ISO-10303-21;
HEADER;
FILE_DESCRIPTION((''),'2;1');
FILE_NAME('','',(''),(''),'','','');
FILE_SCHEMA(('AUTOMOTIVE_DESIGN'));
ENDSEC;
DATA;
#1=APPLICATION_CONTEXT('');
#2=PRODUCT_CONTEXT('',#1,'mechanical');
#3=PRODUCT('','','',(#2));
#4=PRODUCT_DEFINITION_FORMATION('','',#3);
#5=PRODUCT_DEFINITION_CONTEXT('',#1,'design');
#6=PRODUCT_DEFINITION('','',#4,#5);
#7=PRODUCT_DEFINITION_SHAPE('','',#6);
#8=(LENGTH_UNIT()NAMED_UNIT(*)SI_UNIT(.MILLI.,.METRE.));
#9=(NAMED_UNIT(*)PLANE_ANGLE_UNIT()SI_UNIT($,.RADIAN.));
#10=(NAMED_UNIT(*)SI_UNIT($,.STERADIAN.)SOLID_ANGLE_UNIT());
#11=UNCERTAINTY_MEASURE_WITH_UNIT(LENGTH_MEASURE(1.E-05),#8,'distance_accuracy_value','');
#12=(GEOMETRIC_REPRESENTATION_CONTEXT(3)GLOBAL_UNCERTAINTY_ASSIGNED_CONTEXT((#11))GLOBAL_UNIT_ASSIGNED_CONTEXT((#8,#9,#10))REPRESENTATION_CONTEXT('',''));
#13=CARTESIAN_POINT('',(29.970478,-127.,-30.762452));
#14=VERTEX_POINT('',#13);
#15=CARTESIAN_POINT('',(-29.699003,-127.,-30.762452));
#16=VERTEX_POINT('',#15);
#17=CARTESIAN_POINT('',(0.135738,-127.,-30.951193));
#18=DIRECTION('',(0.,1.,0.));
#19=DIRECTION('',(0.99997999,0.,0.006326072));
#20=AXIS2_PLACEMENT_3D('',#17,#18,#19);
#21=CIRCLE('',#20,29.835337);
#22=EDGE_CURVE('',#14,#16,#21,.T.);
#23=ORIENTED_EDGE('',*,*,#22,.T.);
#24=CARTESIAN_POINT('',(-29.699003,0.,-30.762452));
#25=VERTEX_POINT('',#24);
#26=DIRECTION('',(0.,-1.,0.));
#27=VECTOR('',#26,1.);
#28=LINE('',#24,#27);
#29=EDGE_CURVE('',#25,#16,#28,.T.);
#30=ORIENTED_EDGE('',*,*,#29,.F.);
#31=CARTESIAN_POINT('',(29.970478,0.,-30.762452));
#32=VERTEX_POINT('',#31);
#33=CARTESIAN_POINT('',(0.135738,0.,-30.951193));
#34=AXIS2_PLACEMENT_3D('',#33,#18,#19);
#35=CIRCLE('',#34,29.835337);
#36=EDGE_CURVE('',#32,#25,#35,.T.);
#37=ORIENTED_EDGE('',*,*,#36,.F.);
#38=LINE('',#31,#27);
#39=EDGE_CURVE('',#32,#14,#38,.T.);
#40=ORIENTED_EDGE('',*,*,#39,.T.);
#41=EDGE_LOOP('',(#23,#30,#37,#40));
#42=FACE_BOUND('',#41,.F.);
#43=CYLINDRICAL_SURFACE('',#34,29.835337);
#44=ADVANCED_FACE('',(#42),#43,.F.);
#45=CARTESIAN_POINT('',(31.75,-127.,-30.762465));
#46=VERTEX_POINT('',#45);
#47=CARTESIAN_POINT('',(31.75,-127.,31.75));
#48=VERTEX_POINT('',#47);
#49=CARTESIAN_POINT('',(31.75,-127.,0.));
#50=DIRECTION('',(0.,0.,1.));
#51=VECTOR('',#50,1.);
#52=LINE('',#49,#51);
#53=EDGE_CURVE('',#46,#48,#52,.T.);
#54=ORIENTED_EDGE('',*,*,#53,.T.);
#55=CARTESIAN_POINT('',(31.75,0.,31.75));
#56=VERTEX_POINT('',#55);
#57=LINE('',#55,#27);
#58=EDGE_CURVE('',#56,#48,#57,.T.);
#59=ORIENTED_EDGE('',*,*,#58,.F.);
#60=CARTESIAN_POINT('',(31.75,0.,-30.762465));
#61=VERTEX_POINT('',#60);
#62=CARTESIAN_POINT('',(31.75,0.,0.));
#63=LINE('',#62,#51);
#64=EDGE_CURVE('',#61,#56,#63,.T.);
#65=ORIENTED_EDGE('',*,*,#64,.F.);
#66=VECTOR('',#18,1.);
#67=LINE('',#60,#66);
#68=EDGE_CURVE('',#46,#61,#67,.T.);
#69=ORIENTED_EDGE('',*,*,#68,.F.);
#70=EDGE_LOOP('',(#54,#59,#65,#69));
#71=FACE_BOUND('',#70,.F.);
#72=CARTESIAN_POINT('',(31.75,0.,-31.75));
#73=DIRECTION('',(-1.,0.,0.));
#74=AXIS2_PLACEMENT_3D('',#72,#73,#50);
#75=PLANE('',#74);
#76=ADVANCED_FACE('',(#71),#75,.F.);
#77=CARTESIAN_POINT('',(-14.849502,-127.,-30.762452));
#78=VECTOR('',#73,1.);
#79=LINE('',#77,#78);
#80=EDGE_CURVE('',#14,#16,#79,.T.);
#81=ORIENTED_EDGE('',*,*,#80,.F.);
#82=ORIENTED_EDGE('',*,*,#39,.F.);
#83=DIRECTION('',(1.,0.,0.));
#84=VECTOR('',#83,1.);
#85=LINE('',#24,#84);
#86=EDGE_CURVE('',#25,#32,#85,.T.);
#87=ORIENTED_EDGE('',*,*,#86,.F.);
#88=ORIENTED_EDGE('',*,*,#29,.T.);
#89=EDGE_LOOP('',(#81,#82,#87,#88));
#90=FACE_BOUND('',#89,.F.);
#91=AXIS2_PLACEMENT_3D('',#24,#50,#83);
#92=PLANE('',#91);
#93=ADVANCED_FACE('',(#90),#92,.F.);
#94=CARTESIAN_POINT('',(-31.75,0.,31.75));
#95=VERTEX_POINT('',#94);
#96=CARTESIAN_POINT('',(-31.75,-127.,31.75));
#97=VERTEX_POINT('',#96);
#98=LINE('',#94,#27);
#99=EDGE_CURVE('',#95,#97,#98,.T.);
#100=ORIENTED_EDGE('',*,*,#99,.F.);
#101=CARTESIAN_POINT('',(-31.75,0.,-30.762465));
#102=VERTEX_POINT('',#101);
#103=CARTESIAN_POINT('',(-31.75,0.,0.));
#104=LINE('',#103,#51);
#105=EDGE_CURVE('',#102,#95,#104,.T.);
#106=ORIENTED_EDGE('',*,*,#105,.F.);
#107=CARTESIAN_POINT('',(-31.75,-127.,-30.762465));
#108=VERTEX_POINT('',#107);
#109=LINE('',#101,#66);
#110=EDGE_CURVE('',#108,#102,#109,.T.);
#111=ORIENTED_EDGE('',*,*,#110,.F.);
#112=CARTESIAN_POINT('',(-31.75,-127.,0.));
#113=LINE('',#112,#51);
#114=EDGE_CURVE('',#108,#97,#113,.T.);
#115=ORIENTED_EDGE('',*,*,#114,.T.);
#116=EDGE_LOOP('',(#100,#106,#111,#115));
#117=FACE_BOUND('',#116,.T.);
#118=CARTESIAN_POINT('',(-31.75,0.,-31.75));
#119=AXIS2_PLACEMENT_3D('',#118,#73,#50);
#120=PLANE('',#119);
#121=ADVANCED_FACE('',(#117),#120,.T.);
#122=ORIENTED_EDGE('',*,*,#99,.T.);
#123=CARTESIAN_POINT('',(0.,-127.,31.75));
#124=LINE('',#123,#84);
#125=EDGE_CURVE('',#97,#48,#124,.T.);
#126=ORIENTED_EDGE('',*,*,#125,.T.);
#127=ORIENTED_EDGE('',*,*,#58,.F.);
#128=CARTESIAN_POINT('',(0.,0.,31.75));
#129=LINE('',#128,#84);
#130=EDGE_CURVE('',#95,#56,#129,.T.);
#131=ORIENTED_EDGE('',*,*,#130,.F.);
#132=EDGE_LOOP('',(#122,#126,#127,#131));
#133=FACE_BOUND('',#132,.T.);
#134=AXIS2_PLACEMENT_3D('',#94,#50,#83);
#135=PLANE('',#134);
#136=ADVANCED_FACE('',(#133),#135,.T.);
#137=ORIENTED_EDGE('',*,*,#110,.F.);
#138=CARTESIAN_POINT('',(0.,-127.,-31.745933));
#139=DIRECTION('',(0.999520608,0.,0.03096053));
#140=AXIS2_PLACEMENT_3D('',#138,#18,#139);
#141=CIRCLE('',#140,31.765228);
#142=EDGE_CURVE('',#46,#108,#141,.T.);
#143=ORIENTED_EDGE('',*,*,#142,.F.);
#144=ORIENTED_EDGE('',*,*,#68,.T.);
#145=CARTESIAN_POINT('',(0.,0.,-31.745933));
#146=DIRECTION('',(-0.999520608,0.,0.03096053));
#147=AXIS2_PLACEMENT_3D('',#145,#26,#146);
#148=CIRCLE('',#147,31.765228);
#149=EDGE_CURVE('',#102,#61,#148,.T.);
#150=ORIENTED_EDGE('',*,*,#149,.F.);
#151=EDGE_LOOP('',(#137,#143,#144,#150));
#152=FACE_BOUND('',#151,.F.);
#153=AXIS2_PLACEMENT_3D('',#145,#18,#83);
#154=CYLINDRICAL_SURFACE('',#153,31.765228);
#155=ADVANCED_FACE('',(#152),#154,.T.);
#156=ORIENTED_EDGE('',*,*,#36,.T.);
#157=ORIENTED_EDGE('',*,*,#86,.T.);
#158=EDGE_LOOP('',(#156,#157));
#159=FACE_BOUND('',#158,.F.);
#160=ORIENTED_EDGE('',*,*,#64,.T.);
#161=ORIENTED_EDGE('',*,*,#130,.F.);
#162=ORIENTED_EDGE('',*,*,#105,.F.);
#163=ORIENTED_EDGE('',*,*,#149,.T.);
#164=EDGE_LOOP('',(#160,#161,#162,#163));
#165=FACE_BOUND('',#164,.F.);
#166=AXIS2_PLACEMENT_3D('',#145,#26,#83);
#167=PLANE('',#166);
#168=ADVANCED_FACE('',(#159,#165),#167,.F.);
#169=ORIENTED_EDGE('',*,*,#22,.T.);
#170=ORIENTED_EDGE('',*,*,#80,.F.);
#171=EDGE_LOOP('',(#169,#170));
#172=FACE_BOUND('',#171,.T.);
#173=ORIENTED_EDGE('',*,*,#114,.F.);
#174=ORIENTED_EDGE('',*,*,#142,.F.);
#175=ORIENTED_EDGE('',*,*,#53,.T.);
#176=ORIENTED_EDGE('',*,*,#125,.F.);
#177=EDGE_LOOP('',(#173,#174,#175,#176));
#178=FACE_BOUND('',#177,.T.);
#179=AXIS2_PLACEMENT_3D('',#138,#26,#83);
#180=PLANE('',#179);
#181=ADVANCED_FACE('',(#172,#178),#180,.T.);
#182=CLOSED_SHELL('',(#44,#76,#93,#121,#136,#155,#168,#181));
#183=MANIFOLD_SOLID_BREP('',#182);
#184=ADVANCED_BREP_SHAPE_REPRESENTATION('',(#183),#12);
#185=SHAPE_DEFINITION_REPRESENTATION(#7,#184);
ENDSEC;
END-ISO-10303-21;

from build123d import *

# Parameters (mm, degrees)
F0_W     = 63.5
F0_H     = 63.5
F1_DEPTH = 127
F2_R     = 31.765228
F3_DEPTH = 127
F5_DEPTH = 152.4


with BuildPart() as f1:
    # F0 (on Front) → F1 (new body)
    with BuildSketch(Plane.XZ):
        Rectangle(F0_W, F0_H)
    extrude(amount=F1_DEPTH)

    # F2 (on Front) → F3 (join)
    with BuildSketch(Plane.XZ):
        with Locations((0, -31.745933)):
            Circle(F2_R)
    extrude(amount=F3_DEPTH)

    # F4 (on face) → F5 (cut)
    with BuildSketch(Plane(origin=(0, 0, 0), x_dir=(-1, 0, 0), z_dir=(0, 1, 0))):
        with BuildLine():
            Line((29.699003, -30.762452), (-29.970478, -30.762452))
            ThreePointArc((-29.970478, -30.762452), (-0.135737, -60.78653), (29.699003, -30.762452))
        make_face()
    extrude(amount=-F5_DEPTH, mode=Mode.SUBTRACT)


solid = f1.part
